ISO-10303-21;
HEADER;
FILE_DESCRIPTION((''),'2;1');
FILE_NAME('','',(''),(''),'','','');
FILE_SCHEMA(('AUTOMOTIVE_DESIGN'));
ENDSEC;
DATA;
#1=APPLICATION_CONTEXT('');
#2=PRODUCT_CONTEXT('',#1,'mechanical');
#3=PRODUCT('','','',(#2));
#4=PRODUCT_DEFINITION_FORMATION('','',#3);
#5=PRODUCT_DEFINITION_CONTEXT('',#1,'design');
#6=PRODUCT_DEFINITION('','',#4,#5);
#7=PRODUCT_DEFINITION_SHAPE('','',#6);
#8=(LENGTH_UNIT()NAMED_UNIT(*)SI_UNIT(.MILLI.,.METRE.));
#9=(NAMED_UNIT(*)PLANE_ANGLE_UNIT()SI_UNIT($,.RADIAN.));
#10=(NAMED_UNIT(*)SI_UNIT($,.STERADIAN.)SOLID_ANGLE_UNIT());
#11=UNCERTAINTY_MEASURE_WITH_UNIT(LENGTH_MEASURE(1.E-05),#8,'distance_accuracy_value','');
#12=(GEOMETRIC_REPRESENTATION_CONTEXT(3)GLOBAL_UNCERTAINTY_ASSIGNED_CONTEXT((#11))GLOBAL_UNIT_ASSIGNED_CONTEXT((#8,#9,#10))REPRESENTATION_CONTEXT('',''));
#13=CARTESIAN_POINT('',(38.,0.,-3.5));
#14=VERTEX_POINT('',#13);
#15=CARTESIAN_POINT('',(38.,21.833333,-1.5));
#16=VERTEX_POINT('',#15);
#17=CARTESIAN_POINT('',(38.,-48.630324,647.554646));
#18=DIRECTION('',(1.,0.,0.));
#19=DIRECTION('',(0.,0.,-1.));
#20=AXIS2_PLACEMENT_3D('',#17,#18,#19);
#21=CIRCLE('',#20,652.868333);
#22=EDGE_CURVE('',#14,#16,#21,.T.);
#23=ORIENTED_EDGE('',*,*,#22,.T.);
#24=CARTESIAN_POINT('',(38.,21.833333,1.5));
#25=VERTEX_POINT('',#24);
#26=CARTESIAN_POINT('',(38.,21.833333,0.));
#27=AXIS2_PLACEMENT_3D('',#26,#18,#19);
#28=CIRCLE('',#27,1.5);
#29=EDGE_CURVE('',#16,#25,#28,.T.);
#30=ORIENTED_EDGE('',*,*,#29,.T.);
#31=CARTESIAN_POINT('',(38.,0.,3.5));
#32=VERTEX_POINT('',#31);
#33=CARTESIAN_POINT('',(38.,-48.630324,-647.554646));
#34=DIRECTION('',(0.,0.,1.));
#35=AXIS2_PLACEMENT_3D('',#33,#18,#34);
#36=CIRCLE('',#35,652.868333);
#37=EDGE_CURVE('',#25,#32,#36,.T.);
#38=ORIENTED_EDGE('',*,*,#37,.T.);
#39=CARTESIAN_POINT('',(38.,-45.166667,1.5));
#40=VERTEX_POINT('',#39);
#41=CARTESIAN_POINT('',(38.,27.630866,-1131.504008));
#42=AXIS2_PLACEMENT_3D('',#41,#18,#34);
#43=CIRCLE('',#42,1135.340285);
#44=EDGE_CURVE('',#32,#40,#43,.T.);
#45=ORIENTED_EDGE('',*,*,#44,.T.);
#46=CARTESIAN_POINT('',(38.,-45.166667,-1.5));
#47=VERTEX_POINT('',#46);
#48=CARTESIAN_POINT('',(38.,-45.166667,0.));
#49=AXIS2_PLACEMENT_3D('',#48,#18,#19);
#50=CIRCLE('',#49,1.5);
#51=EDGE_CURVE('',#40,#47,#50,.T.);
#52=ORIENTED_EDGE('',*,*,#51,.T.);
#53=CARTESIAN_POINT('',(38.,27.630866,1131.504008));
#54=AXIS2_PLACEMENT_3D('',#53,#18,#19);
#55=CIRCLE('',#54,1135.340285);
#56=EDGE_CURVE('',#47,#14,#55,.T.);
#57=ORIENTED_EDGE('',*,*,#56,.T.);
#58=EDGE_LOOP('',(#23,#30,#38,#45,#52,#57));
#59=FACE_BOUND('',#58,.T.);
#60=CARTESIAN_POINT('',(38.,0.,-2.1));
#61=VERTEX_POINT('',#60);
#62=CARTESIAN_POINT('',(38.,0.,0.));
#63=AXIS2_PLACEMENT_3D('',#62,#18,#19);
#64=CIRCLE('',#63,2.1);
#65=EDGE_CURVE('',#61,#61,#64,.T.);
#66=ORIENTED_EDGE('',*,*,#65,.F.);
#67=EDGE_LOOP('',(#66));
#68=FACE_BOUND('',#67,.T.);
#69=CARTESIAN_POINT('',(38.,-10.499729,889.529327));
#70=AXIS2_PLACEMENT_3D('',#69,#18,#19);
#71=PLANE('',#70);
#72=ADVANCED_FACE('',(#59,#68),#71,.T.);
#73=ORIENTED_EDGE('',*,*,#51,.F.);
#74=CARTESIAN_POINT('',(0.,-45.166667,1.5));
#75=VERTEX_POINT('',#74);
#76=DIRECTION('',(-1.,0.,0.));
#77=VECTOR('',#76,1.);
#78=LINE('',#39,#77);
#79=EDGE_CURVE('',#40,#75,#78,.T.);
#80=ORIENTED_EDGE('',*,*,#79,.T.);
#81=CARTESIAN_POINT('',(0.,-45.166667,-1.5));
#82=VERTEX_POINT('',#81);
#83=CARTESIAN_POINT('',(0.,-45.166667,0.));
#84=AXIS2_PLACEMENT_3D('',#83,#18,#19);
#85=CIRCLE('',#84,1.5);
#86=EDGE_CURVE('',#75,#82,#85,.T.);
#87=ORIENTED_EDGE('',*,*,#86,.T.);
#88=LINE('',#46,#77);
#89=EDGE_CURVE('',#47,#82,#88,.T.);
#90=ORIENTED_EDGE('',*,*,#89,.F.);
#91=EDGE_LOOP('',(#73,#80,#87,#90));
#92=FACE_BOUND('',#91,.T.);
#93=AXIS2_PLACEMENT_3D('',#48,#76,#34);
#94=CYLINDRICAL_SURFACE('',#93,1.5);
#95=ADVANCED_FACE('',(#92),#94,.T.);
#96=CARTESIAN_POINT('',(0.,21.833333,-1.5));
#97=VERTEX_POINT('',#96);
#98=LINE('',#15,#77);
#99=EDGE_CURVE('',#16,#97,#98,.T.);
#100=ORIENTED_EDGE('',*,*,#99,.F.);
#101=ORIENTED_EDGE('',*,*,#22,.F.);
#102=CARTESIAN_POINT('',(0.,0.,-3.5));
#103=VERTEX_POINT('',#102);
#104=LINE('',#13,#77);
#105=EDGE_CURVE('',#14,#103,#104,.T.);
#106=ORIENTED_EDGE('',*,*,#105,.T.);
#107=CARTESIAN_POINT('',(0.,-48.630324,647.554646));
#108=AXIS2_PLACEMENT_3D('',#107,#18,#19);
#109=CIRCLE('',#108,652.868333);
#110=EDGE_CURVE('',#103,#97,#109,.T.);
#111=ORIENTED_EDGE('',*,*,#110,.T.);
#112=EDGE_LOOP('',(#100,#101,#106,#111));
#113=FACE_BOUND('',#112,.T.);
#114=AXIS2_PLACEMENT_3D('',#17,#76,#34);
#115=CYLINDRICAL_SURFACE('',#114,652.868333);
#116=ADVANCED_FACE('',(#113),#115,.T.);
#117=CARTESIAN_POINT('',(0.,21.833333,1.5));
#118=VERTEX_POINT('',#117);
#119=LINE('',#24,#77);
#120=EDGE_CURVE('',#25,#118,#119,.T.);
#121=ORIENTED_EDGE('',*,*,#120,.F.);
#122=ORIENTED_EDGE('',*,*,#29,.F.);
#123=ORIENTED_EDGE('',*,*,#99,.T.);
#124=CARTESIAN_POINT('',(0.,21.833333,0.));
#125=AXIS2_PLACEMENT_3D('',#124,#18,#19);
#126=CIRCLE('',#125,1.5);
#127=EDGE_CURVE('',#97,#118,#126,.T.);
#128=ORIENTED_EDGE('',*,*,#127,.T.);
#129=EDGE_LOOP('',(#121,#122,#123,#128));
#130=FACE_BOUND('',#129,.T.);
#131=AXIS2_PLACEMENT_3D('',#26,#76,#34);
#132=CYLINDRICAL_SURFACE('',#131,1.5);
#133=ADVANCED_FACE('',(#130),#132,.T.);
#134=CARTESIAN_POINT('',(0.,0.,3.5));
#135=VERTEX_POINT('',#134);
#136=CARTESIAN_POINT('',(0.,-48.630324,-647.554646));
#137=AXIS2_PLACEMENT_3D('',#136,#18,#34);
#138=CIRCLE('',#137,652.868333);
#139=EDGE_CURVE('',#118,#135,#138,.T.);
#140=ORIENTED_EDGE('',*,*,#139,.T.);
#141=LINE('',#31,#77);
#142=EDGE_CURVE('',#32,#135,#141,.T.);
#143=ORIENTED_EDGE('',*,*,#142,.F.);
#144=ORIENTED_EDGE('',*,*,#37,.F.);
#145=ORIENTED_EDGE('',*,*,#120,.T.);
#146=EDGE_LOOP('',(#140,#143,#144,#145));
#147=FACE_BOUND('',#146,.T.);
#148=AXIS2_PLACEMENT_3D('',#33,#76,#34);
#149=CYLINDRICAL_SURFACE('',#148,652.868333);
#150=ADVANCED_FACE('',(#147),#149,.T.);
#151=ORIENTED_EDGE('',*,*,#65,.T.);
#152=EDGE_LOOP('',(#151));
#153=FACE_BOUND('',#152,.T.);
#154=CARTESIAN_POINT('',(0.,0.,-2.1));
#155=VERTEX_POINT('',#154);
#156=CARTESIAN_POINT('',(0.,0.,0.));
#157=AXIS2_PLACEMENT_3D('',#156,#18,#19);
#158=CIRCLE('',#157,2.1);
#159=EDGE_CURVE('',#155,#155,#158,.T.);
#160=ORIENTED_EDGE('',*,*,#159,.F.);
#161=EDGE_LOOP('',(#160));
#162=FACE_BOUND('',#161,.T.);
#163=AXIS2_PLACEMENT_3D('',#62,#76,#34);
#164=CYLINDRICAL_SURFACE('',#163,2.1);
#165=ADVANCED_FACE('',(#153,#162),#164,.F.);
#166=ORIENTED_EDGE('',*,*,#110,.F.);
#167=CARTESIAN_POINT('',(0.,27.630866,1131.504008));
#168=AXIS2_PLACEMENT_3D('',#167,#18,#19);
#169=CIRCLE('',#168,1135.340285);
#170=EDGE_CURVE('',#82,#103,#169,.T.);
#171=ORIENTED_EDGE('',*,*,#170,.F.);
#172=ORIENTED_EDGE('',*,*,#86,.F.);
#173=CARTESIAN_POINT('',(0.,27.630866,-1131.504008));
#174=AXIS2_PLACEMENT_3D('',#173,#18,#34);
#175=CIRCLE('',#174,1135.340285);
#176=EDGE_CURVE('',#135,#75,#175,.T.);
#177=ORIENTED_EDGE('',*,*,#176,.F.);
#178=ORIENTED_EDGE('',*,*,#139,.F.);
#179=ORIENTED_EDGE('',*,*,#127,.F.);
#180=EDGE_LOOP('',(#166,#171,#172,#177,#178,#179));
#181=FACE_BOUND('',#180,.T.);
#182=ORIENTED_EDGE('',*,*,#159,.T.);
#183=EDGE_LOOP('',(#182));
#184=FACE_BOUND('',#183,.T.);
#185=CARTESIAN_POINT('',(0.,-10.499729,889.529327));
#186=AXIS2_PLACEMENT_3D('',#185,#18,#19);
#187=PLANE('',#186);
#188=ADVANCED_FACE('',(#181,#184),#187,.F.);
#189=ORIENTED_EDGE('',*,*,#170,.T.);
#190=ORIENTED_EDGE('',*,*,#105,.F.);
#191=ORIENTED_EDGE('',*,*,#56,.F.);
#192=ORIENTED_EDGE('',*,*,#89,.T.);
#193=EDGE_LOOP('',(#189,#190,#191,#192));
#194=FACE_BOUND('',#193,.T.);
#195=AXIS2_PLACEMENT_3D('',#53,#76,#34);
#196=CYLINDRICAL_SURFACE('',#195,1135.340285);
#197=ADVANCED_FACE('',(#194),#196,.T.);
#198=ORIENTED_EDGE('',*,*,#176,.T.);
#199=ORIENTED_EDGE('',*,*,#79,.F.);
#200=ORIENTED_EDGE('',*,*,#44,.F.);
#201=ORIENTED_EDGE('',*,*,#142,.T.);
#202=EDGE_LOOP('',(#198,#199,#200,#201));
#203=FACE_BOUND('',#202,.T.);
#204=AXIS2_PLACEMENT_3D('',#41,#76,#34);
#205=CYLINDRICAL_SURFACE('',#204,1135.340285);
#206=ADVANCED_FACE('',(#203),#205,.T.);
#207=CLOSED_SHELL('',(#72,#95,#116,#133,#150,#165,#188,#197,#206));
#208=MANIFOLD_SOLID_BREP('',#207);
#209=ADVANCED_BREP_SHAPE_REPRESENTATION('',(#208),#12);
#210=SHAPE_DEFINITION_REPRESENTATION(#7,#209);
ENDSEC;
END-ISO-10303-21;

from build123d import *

# Parameters (mm, degrees)
SKETCH1_R           = 2.1
BOSS_EXTRUDE1_DEPTH = 38


with BuildPart() as part:
    # Sketch1 → Boss-Extrude1 (new body)
    with BuildSketch(Plane.YZ):
        with BuildLine():
            ThreePointArc((-45.166666667, 1.5), (-46.666666667, 0), (-45.166666667, -1.5))
            ThreePointArc((-45.166666667, -1.5), (-22.593289689, -2.724847701), (0, -3.5))
            ThreePointArc((0, -3.5), (10.925062805, -2.59165784), (21.833333333, -1.5))
            ThreePointArc((21.833333333, -1.5), (23.333333333, 0), (21.833333333, 1.5))
            ThreePointArc((21.833333333, 1.5), (10.925062805, 2.59165784), (0, 3.5))
            ThreePointArc((0, 3.5), (-22.593289689, 2.724847701), (-45.166666667, 1.5))
        make_face()
        with Locations(Location((0, 0, 0), (0, 0, 270))):
            Circle(SKETCH1_R, mode=Mode.SUBTRACT)
    extrude(amount=BOSS_EXTRUDE1_DEPTH)


solid = part.part
